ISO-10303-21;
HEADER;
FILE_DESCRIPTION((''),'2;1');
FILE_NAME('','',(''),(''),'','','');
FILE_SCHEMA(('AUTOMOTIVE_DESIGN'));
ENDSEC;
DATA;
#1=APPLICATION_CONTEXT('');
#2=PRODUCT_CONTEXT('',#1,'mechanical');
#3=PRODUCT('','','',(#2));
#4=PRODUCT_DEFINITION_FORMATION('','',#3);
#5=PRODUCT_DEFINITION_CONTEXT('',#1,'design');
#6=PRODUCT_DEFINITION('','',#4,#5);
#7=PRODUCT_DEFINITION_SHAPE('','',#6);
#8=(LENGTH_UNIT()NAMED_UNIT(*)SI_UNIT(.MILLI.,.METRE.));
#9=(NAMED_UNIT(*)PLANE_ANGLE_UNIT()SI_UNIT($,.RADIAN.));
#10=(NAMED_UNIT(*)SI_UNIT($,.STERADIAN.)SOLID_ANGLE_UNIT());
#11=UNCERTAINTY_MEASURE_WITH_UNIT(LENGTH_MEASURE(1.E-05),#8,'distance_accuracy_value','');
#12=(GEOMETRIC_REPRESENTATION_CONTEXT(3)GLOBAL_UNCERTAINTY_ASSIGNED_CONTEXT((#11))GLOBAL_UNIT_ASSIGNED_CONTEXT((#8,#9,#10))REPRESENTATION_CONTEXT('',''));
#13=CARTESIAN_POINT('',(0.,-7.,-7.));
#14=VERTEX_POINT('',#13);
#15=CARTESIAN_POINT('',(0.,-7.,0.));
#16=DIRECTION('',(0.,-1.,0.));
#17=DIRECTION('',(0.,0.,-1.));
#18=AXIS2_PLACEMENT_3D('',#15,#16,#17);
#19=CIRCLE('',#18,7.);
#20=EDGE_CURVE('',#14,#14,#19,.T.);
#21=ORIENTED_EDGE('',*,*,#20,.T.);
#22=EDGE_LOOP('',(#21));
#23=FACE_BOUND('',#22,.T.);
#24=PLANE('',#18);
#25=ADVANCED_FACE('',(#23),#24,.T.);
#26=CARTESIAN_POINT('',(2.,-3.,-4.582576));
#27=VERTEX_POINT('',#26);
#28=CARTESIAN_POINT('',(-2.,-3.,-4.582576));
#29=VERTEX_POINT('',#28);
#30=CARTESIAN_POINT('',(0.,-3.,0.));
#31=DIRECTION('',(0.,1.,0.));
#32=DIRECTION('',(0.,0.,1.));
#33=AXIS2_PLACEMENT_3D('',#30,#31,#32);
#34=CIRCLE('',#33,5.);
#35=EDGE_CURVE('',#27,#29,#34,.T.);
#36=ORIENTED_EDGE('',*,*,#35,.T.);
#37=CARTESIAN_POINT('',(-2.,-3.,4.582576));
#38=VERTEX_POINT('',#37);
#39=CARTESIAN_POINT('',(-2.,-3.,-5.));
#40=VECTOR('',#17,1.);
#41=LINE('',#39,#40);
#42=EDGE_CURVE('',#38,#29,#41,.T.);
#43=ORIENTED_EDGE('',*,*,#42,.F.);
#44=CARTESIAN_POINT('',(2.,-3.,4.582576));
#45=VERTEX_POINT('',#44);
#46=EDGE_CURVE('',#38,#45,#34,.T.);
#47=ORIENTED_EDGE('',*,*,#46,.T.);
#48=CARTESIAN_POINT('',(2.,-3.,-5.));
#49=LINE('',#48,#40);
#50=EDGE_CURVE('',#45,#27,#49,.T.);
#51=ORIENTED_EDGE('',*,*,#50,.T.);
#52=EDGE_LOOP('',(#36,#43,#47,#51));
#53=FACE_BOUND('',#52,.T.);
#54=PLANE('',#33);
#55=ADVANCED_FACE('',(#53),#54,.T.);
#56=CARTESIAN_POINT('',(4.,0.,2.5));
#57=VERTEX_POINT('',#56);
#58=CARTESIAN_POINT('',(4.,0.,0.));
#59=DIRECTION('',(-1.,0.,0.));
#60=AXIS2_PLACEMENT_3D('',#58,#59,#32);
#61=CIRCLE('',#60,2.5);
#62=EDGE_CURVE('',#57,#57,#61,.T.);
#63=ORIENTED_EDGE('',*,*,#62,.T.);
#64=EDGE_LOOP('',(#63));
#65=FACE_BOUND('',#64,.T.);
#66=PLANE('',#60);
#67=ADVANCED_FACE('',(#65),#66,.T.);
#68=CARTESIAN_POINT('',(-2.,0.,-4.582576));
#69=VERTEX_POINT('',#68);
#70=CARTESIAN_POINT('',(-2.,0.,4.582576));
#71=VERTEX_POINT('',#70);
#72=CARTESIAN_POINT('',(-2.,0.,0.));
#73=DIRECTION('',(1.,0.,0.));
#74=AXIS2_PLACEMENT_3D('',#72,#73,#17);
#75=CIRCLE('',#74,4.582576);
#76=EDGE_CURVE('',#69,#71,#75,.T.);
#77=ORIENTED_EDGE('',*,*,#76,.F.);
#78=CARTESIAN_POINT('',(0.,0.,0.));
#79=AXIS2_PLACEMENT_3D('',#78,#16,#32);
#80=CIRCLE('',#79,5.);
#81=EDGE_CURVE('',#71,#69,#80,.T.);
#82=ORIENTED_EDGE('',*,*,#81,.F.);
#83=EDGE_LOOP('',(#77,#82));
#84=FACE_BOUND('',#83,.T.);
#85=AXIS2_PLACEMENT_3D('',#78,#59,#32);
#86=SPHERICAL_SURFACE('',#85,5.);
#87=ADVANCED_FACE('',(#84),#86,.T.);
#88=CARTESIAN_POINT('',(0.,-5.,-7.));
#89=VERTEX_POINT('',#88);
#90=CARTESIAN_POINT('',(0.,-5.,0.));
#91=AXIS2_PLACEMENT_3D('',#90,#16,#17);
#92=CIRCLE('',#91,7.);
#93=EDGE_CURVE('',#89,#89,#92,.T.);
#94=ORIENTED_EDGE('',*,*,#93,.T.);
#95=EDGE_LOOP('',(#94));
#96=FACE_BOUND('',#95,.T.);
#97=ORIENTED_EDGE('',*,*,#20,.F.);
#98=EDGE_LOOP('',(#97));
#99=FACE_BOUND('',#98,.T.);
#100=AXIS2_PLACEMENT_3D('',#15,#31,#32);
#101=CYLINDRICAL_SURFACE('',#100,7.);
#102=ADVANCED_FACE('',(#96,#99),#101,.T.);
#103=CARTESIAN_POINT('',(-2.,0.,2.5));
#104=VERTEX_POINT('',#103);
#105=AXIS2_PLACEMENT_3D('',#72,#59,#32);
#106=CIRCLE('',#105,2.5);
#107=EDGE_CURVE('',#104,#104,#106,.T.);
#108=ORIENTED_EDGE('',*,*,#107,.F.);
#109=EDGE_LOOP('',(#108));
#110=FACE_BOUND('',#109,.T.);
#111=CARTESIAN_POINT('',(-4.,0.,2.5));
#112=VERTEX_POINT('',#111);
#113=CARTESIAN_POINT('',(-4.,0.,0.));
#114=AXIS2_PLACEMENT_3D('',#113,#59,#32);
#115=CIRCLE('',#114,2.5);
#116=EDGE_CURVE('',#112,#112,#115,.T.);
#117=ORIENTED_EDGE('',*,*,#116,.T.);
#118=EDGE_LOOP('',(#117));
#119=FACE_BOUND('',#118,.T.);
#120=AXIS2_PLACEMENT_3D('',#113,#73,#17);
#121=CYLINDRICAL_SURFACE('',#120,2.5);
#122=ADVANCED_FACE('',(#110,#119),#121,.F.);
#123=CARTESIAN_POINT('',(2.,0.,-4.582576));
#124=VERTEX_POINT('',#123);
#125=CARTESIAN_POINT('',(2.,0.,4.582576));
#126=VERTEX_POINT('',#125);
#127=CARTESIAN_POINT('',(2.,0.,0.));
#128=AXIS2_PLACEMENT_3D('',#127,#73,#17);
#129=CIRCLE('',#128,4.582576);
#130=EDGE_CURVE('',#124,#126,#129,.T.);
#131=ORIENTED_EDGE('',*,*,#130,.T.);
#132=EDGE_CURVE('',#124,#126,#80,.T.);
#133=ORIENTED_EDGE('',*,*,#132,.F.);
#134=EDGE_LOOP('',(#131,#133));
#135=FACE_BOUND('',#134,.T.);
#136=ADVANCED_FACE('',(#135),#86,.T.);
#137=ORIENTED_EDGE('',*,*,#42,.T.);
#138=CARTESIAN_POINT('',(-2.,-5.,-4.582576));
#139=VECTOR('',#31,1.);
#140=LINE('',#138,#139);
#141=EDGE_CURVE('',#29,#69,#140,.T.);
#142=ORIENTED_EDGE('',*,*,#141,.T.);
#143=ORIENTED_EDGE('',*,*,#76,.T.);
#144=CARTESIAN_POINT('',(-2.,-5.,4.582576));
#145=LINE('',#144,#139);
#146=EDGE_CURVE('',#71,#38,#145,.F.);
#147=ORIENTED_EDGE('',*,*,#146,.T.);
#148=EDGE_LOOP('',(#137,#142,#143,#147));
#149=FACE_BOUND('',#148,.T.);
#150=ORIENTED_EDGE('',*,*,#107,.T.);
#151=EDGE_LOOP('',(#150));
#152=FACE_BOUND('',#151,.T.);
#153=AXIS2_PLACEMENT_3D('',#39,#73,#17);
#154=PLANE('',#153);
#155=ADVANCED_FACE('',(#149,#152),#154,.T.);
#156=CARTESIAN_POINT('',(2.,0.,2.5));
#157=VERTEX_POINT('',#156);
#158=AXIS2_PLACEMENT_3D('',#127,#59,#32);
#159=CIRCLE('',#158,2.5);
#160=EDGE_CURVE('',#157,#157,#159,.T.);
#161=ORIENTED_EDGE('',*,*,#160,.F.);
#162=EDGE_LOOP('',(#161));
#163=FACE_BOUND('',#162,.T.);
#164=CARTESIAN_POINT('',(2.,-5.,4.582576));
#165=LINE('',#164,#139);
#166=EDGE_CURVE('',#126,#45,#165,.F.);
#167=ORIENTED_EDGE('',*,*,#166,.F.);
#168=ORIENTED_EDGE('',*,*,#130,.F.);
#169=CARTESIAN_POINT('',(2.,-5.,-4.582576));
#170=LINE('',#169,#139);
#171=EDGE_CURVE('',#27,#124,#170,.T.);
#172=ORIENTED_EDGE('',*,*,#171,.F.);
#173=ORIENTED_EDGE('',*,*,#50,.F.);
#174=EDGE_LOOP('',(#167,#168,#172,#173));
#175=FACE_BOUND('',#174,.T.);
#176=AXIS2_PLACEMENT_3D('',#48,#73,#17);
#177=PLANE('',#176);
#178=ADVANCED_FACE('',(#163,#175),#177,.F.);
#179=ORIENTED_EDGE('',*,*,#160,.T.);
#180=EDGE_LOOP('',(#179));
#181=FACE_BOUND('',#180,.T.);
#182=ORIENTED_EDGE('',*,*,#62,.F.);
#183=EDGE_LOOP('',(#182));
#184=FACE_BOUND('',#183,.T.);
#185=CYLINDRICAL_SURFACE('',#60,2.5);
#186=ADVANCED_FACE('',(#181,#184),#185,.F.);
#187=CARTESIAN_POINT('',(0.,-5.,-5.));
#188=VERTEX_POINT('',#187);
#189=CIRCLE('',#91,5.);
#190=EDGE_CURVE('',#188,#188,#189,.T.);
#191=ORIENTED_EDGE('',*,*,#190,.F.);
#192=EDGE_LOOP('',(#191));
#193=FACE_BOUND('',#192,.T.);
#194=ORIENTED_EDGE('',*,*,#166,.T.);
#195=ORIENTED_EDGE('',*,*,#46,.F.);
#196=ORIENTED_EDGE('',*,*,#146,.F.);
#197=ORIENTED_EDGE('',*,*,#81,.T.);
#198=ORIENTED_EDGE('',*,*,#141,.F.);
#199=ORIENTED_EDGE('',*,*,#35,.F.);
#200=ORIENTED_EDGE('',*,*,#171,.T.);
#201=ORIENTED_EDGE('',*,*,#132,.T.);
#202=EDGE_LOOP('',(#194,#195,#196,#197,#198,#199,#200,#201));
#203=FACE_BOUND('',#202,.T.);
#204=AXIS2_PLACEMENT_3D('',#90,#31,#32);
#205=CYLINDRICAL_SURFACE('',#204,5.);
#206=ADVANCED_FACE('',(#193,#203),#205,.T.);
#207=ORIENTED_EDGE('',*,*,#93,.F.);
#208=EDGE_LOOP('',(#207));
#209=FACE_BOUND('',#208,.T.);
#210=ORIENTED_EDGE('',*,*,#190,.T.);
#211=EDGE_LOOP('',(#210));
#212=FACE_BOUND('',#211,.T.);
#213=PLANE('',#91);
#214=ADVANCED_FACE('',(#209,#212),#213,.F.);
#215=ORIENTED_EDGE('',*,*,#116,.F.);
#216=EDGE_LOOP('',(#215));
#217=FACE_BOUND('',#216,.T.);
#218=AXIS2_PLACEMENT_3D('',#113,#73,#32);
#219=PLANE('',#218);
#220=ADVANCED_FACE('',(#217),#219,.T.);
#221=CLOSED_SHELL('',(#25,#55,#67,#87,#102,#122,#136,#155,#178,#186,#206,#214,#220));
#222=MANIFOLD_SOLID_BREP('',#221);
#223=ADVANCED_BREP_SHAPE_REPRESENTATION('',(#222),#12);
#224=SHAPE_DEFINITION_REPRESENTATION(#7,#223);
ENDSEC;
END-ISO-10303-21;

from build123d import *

# Parameters (mm, degrees)
REVOLVE1_ANGLE      = 180
SKETCH2_R           = 5
BOSS_EXTRUDE1_DEPTH = 5
SKETCH3_R           = 7
BOSS_EXTRUDE2_DEPTH = 2
CUT_EXTRUDE1_START  = -3
SKETCH4_W           = 2
SKETCH4_H           = 10
CUT_EXTRUDE1_DEPTH  = 16.124355653
SKETCH6_R           = 2.5
CUT_EXTRUDE2_DEPTH  = 2


with BuildPart() as part:
    # Sketch1 → Revolve1 (revolve)
    with BuildSketch(Plane(origin=(0, 0, 0), x_dir=(1, 0, 0), z_dir=(0, 1, 0))):
        with BuildLine():
            Line((-5, 0), (5, 0))
            ThreePointArc((5, 0), (0, 5), (-5, 0))
        make_face()
    revolve(axis=Axis((-5, 0, 0), (1, 0, 0)), revolution_arc=REVOLVE1_ANGLE)

    # Sketch2 → Boss-Extrude1 (add)
    with BuildSketch(Plane.XZ):
        with Locations(Location((0, 0, 0), (0, 0, 90))):
            Circle(SKETCH2_R)
    extrude(amount=BOSS_EXTRUDE1_DEPTH)

    # Sketch3 → Boss-Extrude2 (add)
    with BuildSketch(Plane.XZ.offset(5)):
        with Locations(Location((0, 0, 0), (0, 0, 270))):
            Circle(SKETCH3_R)
    extrude(amount=BOSS_EXTRUDE2_DEPTH)

    # Sketch4 → Cut-Extrude1 (cut)
    with BuildSketch(Plane(origin=(0, 0, 0), x_dir=(1, 0, 0), z_dir=(0, 1, 0)).offset(CUT_EXTRUDE1_START)):
        with Locations((1, 0)):
            Rectangle(SKETCH4_W, SKETCH4_H)
    cut_extrude1 = extrude(amount=CUT_EXTRUDE1_DEPTH, mode=Mode.SUBTRACT)

    # Sketch6 → Cut-Extrude2 (cut)
    with BuildSketch(Plane.ZY.offset(-2)):
        Circle(SKETCH6_R)
    cut_extrude2 = extrude(amount=-CUT_EXTRUDE2_DEPTH, mode=Mode.SUBTRACT)

    # Mirror1: Cut-Extrude1, Cut-Extrude2 across plane
    add(cut_extrude1.mirror(Plane(origin=(0, 0, 0), x_dir=(0, 0, 1), z_dir=(1, 0, 0))), mode=Mode.SUBTRACT)
    add(cut_extrude2.mirror(Plane(origin=(0, 0, 0), x_dir=(0, 0, 1), z_dir=(1, 0, 0))), mode=Mode.SUBTRACT)


solid = part.part
